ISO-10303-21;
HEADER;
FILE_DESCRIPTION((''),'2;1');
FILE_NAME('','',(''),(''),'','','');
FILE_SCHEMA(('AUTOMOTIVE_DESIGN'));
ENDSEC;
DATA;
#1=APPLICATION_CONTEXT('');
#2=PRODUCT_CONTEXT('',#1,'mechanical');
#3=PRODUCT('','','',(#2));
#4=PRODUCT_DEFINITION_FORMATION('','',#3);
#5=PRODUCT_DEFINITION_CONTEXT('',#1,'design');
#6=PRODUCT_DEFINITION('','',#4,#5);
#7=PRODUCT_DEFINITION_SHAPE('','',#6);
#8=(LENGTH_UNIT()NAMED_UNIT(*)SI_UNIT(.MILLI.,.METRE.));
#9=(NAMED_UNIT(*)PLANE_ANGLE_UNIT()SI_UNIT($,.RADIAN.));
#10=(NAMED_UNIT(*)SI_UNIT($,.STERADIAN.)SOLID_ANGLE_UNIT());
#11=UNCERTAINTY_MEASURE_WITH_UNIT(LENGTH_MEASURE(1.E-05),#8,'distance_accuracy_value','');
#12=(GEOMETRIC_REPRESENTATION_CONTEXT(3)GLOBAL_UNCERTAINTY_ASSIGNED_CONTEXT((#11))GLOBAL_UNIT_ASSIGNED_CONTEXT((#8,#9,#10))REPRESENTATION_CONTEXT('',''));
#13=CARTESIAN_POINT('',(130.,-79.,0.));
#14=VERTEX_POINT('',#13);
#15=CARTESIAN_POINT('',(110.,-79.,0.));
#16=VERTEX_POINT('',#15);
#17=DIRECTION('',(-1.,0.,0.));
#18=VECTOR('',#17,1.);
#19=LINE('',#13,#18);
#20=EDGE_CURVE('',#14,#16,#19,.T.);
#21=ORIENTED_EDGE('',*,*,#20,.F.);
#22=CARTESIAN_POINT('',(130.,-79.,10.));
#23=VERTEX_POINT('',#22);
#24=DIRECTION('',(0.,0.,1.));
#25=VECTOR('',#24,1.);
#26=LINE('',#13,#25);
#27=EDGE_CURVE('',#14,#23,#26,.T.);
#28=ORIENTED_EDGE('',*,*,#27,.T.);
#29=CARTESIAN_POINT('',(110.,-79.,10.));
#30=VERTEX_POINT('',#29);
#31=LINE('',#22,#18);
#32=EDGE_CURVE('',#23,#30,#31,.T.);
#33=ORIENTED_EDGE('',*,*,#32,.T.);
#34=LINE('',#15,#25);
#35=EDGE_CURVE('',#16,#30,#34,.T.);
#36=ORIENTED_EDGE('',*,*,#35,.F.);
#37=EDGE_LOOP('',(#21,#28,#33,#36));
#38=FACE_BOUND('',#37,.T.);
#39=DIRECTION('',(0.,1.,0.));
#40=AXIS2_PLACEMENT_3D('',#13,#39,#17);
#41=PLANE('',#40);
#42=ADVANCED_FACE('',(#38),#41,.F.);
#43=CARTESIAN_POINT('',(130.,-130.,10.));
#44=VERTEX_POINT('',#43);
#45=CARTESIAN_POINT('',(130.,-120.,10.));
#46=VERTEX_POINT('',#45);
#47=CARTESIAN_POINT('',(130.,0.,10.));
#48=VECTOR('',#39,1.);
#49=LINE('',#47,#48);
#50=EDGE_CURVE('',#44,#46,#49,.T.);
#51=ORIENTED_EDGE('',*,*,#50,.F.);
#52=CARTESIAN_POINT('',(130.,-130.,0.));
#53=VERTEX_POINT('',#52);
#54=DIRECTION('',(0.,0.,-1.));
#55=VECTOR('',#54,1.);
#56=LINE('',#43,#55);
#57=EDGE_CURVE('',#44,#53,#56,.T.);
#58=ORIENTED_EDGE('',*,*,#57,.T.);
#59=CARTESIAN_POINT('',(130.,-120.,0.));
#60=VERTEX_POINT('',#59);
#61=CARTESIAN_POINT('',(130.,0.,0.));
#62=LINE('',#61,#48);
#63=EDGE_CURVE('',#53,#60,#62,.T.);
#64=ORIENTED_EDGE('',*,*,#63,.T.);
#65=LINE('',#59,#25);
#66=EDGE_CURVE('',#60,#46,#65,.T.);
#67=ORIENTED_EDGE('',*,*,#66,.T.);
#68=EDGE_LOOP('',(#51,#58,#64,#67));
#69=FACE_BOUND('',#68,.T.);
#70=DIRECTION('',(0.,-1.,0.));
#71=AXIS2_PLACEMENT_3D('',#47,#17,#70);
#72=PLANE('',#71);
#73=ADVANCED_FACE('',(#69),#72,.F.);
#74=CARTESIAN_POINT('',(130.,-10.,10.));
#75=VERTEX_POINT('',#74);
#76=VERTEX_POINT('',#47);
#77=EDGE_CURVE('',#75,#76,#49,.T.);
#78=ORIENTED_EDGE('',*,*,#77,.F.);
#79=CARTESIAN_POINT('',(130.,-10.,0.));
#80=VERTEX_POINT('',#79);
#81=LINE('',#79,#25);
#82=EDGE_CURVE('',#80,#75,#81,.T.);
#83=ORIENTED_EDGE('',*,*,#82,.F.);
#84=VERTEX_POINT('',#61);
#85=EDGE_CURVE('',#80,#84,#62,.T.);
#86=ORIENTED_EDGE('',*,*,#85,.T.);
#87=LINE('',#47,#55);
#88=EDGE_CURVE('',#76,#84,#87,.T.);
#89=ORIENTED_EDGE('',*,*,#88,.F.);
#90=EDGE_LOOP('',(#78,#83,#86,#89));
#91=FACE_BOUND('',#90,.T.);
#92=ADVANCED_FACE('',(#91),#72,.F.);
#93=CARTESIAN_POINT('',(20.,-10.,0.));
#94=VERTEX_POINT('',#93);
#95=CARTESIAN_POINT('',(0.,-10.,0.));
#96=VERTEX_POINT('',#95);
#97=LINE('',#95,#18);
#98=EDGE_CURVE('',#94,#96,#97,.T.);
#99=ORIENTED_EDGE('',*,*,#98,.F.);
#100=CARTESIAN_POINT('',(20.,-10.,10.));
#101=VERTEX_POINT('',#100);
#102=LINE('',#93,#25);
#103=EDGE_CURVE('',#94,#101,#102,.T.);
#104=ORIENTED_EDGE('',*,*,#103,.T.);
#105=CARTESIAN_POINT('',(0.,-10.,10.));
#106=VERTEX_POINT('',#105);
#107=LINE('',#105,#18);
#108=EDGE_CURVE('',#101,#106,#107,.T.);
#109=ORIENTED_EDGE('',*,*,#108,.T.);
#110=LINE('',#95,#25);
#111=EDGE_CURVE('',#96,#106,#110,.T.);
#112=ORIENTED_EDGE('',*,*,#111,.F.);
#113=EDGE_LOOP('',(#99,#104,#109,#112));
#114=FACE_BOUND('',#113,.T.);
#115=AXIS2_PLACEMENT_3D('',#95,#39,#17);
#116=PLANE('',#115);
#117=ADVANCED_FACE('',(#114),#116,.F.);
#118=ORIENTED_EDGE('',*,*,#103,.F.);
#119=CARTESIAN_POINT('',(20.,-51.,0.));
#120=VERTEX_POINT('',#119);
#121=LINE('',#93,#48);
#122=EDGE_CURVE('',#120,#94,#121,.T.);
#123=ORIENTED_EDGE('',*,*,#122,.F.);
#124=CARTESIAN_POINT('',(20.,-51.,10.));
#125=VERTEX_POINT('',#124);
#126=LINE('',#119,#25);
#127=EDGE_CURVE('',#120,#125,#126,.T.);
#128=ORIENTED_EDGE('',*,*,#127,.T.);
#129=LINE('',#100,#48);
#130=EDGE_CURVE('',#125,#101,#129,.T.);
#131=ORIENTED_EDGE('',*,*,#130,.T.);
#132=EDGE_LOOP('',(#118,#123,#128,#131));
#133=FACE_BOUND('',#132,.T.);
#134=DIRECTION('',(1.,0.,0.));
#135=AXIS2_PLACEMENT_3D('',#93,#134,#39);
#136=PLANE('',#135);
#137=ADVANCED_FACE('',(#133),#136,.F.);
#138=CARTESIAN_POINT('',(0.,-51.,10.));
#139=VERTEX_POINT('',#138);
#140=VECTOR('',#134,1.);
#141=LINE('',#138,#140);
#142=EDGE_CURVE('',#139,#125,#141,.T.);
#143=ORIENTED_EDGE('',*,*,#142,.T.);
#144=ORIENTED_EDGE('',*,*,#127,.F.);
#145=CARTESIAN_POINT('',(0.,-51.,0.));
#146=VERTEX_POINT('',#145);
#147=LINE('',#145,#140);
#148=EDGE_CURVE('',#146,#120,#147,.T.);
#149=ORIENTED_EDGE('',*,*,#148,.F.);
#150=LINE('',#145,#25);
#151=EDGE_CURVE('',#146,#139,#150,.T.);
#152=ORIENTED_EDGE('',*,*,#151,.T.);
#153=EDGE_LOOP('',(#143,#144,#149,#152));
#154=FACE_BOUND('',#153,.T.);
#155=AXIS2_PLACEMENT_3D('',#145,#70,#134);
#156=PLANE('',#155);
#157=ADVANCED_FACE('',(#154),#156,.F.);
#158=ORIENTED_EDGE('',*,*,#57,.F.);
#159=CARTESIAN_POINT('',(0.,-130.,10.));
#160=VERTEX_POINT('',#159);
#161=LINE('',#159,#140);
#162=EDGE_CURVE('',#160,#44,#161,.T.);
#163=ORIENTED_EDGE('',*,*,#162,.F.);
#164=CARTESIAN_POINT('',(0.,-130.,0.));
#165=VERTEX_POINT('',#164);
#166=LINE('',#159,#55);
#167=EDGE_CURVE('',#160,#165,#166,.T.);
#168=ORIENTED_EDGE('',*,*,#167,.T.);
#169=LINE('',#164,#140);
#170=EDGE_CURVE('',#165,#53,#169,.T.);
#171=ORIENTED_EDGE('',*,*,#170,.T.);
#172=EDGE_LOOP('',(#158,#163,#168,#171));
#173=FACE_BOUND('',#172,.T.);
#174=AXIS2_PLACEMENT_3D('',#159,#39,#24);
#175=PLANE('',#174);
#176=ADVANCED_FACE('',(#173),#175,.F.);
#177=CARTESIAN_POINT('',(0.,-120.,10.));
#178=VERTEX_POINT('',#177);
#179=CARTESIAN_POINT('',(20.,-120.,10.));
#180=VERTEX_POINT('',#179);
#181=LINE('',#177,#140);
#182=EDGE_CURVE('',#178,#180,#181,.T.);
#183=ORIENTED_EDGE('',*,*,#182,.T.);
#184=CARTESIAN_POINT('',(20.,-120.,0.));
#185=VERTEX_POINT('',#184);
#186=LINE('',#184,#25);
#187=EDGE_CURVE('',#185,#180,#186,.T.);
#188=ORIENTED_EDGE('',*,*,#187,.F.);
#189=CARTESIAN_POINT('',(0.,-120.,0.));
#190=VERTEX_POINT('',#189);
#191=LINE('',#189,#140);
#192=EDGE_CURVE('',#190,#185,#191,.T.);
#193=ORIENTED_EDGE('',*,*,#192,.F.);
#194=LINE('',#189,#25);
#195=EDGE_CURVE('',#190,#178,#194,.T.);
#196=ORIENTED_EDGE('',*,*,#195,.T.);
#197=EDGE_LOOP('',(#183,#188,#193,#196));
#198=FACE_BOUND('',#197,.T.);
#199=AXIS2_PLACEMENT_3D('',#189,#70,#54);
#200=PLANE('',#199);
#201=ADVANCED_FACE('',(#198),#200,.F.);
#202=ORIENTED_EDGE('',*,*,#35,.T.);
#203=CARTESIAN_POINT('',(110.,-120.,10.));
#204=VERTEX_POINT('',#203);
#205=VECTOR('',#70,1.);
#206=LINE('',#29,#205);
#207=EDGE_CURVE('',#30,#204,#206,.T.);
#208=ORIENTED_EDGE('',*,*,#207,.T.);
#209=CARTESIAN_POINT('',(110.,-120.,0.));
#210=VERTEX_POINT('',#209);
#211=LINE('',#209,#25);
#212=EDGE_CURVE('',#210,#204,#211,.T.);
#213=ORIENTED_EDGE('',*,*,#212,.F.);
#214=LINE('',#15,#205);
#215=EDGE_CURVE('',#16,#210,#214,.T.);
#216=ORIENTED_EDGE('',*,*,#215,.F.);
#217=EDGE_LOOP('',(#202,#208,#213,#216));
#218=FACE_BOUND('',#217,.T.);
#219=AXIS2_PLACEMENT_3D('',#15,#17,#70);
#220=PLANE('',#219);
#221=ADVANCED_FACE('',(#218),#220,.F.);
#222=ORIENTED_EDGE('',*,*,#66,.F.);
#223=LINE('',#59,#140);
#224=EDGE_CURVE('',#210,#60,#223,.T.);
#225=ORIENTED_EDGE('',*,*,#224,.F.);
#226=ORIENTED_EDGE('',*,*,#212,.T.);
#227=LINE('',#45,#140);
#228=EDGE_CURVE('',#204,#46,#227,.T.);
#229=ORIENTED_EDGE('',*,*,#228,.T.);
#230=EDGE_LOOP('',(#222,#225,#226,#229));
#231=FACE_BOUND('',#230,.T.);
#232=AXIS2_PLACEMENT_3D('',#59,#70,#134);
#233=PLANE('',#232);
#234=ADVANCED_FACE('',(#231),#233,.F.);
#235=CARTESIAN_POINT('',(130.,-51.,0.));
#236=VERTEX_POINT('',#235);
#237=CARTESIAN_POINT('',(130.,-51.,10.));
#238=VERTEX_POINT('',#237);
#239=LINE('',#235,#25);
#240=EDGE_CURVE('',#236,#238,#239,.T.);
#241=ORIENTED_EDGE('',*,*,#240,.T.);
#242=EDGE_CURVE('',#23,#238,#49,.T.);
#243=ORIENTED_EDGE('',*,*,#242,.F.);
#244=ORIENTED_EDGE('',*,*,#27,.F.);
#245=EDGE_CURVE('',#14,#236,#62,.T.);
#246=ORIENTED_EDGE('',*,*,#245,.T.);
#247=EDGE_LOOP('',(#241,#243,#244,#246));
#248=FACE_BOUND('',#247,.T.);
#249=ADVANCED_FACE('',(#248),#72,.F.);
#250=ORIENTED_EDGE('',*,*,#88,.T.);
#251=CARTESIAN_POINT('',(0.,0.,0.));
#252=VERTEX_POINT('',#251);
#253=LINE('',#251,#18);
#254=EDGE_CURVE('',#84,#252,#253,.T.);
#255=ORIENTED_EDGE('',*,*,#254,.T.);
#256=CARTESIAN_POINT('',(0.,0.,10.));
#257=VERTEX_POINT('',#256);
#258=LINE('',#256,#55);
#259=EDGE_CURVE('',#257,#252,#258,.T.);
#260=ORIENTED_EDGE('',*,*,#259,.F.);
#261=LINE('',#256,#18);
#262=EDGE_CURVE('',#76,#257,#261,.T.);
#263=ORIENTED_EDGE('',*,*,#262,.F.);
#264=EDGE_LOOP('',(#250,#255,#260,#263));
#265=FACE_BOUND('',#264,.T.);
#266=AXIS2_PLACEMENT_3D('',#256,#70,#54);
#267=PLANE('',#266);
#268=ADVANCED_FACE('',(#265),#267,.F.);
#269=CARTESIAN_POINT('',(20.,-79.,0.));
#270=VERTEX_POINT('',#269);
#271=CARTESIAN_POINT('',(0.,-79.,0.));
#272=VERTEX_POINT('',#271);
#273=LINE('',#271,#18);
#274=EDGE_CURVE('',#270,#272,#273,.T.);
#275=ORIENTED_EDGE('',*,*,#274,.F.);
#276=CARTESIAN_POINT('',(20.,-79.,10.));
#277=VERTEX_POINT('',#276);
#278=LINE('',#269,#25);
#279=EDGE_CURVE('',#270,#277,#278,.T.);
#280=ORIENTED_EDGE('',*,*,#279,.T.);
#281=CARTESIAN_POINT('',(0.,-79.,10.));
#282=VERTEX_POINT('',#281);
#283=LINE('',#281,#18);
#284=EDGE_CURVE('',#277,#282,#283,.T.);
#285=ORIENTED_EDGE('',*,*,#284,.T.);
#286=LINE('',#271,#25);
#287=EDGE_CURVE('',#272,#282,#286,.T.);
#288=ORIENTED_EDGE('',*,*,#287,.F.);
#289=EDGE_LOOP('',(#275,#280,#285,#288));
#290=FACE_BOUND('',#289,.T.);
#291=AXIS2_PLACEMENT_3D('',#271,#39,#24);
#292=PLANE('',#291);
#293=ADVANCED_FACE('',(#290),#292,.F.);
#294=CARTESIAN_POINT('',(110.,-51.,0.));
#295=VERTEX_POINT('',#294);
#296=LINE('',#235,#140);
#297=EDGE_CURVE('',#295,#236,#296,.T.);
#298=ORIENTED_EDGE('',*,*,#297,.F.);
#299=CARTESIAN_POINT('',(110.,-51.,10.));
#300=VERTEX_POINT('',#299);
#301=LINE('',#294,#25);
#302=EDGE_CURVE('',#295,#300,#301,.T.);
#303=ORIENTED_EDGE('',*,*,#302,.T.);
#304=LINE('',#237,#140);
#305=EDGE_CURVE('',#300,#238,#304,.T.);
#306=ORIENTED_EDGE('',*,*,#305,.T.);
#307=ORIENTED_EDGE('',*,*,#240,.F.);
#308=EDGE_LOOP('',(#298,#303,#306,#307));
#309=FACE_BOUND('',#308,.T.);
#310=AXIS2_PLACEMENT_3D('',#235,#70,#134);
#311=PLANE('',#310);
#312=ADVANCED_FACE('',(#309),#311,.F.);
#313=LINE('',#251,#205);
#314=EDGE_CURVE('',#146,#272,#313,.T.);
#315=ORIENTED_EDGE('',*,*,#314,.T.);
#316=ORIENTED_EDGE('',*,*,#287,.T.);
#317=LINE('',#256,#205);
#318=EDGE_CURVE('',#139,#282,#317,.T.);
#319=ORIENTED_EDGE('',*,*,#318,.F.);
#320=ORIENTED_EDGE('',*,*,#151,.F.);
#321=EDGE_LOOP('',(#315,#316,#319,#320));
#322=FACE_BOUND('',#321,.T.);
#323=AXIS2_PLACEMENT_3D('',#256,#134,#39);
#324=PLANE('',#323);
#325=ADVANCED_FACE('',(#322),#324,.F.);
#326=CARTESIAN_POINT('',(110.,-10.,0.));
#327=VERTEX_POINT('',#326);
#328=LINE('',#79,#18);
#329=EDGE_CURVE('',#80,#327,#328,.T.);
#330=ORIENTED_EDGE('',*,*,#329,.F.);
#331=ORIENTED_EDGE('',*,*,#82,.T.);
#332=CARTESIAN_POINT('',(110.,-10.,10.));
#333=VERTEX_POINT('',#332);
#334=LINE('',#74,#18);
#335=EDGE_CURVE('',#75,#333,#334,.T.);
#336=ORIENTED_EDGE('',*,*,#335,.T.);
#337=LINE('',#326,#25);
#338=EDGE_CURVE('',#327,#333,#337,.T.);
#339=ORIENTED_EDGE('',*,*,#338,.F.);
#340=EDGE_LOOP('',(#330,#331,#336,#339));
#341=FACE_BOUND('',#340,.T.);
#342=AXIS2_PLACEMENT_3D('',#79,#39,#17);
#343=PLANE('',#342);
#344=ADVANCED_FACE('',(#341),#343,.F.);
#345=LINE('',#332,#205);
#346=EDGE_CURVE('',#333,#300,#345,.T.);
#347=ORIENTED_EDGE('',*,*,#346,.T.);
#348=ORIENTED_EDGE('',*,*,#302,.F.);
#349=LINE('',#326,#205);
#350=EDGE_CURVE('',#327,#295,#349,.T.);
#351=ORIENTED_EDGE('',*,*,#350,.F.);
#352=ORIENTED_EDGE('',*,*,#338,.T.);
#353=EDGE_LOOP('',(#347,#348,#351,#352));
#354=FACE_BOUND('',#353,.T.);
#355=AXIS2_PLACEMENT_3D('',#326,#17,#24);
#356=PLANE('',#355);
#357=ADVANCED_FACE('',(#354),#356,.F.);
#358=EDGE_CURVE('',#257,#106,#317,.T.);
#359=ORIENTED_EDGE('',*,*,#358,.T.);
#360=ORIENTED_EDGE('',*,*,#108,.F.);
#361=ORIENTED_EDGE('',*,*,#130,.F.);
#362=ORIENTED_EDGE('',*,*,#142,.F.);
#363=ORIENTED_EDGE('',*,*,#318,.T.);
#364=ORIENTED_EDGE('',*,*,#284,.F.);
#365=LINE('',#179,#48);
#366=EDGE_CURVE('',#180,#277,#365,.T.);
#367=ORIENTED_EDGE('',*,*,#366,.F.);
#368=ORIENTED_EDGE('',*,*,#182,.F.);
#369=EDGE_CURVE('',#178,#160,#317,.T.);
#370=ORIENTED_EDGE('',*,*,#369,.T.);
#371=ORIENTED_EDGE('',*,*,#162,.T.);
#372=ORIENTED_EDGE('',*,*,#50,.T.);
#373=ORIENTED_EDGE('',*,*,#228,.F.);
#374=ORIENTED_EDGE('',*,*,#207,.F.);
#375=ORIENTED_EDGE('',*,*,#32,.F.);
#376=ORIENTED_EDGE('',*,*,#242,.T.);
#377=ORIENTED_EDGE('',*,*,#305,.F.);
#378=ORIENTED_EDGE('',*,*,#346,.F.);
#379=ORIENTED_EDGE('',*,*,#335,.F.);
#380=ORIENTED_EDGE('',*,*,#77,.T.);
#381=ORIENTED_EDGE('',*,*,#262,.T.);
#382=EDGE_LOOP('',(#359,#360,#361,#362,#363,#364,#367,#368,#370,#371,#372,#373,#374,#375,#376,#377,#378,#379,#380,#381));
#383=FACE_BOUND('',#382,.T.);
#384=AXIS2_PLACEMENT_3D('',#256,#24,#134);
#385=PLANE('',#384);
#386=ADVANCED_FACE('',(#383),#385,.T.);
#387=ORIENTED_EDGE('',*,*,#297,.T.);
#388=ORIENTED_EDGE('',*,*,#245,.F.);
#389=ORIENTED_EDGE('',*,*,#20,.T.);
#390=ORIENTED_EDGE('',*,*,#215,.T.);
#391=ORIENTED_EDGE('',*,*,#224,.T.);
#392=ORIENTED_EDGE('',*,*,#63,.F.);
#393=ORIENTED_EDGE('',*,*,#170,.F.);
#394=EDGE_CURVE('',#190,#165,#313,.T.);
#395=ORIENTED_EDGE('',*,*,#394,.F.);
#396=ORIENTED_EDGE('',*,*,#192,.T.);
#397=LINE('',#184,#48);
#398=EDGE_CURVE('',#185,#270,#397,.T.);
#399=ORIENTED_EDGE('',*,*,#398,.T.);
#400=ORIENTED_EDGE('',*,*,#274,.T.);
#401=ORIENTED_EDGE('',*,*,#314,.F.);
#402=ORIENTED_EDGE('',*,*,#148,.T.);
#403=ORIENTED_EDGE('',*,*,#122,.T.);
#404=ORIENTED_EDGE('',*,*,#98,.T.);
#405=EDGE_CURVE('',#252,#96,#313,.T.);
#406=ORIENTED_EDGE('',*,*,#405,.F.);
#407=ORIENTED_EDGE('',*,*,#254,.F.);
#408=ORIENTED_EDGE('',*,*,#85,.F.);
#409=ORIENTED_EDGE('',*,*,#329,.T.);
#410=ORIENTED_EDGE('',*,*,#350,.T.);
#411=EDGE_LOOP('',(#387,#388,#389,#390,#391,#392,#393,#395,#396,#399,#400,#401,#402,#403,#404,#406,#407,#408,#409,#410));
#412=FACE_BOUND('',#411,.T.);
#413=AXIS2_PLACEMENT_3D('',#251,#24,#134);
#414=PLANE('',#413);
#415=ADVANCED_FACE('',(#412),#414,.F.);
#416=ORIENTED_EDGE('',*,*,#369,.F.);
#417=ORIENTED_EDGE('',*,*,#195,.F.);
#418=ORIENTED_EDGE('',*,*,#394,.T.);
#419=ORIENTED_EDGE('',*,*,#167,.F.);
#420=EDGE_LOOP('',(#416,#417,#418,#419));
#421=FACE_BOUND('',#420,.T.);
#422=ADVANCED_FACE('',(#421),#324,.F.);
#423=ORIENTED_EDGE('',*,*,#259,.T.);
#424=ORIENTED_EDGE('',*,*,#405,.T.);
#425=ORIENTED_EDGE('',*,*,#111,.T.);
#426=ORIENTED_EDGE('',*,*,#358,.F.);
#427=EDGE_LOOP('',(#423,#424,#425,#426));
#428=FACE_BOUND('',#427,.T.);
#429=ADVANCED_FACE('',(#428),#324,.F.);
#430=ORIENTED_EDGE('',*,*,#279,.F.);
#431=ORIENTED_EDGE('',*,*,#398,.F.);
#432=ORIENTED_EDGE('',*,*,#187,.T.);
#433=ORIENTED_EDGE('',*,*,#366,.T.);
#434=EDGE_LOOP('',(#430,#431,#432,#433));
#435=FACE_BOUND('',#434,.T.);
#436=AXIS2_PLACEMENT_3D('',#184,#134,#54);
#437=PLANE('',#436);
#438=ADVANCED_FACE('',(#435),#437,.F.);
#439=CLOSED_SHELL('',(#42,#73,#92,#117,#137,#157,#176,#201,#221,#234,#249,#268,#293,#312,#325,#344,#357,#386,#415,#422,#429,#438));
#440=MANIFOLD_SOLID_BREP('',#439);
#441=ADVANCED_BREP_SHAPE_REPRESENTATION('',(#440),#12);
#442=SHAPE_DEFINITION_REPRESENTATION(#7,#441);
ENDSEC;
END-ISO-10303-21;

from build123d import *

# Parameters (mm, degrees)
ESQUISSE1_W             = 130
ESQUISSE1_H             = 130
BOSS_EXTRU_1_DEPTH      = 10
ESQUISSE2_W             = 20
ESQUISSE2_H             = 41
ENL_V_MAT_EXTRU_1_DEPTH = 10


with BuildPart() as part:
    # Esquisse1 → Boss.-Extru.1 (new body)
    with BuildSketch(Plane.XY):
        with Locations((65, -65)):
            Rectangle(ESQUISSE1_W, ESQUISSE1_H)
    extrude(amount=BOSS_EXTRU_1_DEPTH)

    # Esquisse2 → Enlèv. mat.-Extru.1 (cut)
    with BuildSketch(Plane.XY.offset(10)):
        with Locations((10, -30.5)):
            Rectangle(ESQUISSE2_W, ESQUISSE2_H)
        with Locations((10, -99.5)):
            Rectangle(ESQUISSE2_W, ESQUISSE2_H)
        with Locations((120, -30.5)):
            Rectangle(ESQUISSE2_W, ESQUISSE2_H)
        with Locations((120, -99.5)):
            Rectangle(ESQUISSE2_W, ESQUISSE2_H)
    extrude(amount=-ENL_V_MAT_EXTRU_1_DEPTH, mode=Mode.SUBTRACT)


solid = part.part
